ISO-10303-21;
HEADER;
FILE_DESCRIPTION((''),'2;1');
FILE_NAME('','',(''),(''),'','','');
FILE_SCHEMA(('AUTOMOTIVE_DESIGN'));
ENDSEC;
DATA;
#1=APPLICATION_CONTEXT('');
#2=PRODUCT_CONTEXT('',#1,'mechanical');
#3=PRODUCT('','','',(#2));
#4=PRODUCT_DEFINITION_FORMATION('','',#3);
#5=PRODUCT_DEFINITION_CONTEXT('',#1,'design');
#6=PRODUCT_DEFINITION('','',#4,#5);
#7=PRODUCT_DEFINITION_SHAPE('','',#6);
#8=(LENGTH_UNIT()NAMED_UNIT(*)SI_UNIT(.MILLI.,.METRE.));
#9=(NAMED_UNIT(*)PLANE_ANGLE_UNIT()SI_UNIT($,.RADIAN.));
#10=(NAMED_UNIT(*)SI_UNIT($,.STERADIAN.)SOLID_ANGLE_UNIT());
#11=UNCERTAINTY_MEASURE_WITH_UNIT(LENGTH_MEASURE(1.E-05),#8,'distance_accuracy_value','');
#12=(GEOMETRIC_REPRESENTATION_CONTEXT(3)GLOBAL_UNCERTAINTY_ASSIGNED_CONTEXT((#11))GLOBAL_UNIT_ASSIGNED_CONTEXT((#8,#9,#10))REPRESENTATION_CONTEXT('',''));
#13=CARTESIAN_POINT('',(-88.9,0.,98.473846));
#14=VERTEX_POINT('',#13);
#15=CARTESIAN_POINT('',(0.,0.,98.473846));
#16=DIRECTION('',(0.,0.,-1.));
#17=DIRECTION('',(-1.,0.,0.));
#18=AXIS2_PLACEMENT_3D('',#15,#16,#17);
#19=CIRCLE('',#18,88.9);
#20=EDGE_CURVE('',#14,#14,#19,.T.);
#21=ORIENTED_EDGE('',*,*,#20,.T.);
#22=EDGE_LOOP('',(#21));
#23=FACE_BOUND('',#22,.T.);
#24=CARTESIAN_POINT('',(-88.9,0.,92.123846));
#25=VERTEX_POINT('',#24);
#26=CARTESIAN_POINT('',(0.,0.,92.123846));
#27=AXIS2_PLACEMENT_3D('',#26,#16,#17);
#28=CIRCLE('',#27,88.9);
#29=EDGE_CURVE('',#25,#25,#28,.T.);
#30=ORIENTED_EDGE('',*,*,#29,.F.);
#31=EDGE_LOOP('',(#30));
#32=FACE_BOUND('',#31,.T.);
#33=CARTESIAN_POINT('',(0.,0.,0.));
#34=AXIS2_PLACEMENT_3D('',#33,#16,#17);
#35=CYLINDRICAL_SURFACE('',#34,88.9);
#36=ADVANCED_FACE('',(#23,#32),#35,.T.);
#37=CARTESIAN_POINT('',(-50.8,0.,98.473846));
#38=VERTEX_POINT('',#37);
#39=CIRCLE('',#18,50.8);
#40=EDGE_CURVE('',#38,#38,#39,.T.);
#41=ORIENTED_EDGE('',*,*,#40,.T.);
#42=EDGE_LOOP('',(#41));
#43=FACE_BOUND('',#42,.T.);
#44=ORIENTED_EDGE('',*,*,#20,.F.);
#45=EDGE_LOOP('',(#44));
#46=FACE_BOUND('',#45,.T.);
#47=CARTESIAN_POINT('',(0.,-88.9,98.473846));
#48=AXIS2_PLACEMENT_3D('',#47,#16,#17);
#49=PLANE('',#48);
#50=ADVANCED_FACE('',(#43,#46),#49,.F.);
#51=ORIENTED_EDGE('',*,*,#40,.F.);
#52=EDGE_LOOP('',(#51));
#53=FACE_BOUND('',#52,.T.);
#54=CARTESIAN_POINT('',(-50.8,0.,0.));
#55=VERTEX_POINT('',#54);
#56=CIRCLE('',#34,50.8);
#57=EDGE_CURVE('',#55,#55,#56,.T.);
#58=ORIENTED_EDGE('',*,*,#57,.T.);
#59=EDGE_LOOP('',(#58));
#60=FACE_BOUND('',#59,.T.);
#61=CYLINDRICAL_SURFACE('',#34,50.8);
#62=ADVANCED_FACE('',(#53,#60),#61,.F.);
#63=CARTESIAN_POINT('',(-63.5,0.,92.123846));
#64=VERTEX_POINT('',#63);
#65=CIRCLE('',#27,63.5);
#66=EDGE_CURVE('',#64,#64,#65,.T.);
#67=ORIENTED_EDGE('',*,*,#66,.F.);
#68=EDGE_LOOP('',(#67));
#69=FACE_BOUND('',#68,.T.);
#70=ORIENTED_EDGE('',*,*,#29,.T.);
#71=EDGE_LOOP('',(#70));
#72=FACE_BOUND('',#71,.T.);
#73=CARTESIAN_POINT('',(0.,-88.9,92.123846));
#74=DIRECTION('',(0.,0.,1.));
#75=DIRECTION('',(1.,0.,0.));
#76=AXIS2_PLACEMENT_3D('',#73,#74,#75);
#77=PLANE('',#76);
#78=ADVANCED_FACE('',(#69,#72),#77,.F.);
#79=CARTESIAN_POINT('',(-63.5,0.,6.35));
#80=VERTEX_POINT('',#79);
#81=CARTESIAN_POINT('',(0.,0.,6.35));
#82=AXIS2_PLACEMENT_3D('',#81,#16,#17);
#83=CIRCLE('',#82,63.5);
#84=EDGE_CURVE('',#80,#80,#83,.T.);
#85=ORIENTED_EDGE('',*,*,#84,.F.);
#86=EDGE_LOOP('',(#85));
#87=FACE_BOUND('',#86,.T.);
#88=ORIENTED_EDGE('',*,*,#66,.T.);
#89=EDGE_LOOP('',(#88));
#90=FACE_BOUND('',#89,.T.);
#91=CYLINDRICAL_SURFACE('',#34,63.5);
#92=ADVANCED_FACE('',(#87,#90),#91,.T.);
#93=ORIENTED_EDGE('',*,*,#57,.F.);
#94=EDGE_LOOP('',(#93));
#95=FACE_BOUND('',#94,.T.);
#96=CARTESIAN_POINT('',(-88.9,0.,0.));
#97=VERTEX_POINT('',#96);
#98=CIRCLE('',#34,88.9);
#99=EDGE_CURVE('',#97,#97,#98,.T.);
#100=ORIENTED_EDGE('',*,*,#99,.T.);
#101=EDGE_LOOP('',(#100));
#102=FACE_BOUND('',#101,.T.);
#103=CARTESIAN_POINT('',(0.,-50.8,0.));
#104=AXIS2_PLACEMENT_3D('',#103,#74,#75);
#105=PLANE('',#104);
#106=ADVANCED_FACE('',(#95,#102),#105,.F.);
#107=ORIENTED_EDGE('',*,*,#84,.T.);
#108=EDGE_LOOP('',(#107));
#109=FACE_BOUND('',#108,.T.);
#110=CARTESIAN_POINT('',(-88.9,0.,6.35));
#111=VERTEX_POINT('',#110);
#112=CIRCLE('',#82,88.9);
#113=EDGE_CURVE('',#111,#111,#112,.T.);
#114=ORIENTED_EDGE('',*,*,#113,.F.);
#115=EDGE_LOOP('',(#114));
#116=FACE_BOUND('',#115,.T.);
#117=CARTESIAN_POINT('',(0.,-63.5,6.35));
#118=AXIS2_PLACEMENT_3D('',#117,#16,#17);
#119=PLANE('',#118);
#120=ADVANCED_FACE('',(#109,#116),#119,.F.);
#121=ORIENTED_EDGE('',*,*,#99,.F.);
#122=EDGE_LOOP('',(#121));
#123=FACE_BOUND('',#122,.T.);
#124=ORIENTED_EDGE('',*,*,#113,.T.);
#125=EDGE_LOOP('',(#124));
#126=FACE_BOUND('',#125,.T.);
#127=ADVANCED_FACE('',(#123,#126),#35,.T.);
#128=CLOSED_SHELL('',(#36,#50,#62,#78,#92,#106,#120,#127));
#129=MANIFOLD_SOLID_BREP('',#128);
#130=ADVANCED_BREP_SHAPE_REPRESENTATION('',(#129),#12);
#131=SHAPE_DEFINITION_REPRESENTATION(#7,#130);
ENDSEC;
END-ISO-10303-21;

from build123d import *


with BuildPart() as part:
    # Sketch2 → Revolve1 (revolve)
    with BuildSketch(Plane.YZ, mode=Mode.PRIVATE) as revolve1_sk:
        Polygon((-50.8, 0), (-88.9, 0), (-88.9, 6.35), (-63.5, 6.35), (-63.5, 92.123846154), (-88.9, 92.123846154), (-88.9, 98.473846154), (-50.8, 98.473846154), align=None)
    revolve(revolve1_sk.sketch.rotate(Axis((0, 0, 0), (0, 0, 1)), 270), axis=Axis((0, 0, 0), (0, 0, 1)))


solid = part.part
